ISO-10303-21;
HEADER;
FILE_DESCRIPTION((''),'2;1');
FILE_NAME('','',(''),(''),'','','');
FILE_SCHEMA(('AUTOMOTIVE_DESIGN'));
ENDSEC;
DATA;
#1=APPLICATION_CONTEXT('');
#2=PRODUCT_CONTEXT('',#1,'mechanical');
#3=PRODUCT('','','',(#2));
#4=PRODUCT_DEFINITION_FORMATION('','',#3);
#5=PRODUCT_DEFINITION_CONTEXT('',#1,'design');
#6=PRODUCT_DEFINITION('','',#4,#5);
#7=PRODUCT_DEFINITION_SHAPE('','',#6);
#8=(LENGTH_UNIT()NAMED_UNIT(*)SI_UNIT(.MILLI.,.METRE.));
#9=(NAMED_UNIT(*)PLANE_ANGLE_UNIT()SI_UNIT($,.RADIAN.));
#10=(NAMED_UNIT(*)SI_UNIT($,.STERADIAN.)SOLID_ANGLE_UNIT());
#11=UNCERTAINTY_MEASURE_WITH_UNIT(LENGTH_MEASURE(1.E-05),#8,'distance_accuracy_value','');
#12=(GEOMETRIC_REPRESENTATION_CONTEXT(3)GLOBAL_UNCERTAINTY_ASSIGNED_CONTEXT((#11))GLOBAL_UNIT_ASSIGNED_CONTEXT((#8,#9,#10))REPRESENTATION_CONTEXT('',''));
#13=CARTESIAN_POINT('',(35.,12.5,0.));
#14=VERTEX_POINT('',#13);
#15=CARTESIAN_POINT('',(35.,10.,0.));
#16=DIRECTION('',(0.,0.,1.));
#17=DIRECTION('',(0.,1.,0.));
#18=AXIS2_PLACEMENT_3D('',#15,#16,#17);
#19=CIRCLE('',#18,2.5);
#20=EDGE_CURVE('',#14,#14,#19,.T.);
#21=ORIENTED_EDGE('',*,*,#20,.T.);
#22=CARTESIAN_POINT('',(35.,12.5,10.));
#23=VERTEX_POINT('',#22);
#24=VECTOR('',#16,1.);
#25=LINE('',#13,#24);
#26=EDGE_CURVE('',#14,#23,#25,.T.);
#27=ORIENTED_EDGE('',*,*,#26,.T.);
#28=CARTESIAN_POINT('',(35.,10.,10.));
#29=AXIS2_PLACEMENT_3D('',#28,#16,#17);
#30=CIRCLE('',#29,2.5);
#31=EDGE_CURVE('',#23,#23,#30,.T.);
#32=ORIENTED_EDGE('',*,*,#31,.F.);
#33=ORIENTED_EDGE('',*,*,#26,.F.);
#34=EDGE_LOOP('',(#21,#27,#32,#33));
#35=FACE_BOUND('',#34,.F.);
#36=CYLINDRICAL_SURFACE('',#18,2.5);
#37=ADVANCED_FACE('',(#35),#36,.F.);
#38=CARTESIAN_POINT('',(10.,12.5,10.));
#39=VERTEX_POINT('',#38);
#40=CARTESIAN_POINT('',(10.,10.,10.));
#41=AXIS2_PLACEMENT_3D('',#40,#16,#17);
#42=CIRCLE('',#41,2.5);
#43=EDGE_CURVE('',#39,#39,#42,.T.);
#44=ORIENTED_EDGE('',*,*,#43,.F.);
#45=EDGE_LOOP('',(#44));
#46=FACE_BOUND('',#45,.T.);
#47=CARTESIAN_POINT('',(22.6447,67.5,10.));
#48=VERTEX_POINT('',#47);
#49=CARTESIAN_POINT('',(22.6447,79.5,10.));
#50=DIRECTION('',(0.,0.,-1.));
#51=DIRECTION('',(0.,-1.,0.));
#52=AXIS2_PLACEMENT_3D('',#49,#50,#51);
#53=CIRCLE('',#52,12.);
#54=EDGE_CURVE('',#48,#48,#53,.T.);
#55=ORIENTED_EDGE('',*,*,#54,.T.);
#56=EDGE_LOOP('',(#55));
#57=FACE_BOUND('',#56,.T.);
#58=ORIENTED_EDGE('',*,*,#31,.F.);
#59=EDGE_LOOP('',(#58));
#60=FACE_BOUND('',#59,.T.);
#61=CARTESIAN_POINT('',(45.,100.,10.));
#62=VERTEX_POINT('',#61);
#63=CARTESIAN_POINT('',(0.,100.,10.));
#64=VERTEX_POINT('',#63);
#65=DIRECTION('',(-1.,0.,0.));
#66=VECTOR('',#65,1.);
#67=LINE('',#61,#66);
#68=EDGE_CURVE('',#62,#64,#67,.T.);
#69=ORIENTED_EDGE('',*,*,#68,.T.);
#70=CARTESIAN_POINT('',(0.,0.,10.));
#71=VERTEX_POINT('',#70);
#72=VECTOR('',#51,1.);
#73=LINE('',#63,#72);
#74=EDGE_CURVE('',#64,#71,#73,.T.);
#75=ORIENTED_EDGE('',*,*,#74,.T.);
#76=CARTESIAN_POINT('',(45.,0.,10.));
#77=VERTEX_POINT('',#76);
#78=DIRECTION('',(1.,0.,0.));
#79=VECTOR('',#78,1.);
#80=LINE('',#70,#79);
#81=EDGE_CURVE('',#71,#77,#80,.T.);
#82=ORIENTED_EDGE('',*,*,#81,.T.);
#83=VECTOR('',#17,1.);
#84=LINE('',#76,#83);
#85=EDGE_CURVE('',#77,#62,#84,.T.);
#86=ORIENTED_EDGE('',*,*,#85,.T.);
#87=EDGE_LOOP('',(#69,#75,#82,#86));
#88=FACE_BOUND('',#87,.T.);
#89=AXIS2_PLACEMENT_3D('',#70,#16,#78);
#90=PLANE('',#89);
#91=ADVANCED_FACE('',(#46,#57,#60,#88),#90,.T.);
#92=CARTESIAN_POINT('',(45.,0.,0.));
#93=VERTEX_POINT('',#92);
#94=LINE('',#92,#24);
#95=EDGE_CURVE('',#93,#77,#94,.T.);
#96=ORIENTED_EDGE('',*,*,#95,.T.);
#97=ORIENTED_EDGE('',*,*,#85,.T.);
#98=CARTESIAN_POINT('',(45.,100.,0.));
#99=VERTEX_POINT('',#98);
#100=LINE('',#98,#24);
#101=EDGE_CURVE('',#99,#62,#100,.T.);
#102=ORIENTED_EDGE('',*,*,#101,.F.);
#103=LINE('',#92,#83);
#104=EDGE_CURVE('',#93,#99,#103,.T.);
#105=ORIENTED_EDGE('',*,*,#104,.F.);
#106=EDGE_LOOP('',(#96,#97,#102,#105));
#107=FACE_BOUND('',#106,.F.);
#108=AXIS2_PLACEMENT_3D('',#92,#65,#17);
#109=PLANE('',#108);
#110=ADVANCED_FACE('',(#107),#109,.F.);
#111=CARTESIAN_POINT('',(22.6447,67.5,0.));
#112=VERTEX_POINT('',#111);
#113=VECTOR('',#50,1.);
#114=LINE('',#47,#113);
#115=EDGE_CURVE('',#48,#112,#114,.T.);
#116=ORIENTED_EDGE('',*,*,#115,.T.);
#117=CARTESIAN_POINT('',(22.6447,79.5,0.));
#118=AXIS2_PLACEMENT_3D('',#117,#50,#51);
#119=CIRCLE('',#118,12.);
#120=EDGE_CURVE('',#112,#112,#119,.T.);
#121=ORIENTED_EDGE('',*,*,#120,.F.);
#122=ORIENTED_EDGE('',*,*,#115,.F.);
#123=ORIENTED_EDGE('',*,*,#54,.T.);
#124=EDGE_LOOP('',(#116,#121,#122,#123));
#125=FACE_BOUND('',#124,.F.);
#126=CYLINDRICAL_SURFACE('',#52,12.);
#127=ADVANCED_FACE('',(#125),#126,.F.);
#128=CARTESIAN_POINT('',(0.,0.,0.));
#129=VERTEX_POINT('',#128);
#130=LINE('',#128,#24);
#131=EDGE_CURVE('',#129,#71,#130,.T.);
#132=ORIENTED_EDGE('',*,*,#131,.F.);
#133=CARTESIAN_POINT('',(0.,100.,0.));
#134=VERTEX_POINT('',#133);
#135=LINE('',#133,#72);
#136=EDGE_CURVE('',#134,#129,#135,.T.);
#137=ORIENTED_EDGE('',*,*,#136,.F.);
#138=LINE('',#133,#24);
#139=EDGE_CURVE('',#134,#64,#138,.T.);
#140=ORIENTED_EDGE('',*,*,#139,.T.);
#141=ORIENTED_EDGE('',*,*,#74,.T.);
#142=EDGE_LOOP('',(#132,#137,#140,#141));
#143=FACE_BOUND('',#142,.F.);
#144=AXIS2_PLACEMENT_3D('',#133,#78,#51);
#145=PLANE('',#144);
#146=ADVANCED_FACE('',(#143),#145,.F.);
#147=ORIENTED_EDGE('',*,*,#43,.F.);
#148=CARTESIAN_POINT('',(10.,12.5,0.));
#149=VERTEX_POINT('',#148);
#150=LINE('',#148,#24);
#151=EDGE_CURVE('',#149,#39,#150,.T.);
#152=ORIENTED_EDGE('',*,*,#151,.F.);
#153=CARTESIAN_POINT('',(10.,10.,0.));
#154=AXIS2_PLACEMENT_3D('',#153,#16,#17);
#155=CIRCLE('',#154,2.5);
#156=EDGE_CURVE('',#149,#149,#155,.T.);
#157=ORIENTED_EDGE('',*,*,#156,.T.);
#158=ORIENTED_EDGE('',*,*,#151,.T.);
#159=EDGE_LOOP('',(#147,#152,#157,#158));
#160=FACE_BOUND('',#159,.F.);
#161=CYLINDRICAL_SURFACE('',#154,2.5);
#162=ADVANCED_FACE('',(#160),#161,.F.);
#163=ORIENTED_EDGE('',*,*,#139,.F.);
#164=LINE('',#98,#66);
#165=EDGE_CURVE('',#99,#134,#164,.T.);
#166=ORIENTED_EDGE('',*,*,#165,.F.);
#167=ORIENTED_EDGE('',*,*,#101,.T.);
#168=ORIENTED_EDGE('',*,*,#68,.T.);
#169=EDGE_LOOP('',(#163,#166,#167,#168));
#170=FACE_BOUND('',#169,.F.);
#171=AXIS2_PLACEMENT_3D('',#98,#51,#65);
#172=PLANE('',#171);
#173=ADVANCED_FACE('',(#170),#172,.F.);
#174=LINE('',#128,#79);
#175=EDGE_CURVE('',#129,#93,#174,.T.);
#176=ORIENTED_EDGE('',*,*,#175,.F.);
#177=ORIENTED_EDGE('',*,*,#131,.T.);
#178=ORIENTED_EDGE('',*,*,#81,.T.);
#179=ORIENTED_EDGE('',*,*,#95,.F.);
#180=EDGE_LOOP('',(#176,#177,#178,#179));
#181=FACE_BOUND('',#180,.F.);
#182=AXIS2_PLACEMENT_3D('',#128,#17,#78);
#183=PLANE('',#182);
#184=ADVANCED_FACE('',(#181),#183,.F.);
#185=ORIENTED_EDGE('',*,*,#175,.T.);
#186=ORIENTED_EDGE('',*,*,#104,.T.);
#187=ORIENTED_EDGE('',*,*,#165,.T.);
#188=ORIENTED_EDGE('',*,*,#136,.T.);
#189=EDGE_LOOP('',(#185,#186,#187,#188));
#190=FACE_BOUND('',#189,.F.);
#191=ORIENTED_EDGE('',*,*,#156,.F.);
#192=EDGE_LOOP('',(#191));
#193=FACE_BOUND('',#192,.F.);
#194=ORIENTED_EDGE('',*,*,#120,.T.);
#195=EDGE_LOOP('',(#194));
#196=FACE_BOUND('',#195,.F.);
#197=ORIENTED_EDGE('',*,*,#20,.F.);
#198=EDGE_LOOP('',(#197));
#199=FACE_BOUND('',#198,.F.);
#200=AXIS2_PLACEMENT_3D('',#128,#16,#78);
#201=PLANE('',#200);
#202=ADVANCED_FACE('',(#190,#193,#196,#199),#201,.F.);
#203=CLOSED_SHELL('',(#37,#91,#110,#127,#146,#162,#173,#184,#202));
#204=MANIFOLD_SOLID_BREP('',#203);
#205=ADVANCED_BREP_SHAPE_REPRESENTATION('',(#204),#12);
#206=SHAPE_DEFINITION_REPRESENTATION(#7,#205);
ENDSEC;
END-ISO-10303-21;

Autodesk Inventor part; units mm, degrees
ref_plane "YZ Plane" through (0, 0, 0) normal (1, 0, 0) x (0, 1, 0)
ref_plane "XZ Plane" through (0, 0, 0) normal (0, 1, 0) x (-1, 0, 0)
ref_plane "XY Plane" through (0, 0, 0) normal (0, 0, 1) x (1, 0, 0)
sketch "スケッチ1" plane through (0, 0, 0) normal (0, 0, 1) x (1, 0, 0)
  line L0 (0, 0) -> (45, 0)
  line L1 (45, 0) -> (45, 100)
  line L2 (45, 100) -> (0, 100)
  line L3 (0, 100) -> (0, 0)
  dimension "d0" = 100
  dimension "d1" = 45
extrude "押し出し1" add sketch "スケッチ1" along normal blind 10
sketch "スケッチ2" plane through (0, 0, 10) normal (0, 0, 1) x (1, 0, 0)
  line L0 (0, 0) -> (45, 0) projected
  point P0 (22.6447, 79.5)
  dimension "d4" = 79.5
hole "穴1" at (22.6447, 79.5, 10) direction (0, 0, -1) diameter 24 end through all
sketch "スケッチ3" plane through (0, 0, 0) normal (0, 0, -1) x (-1, 0, 0)
  line L0 (0, 0) -> (-45, 0) projected
  line L1 (-45, 0) -> (-45, 100) projected
  line L2 (0, 100) -> (0, 0) projected
  point P0 (-10, 10)
  point P1 (-35, 10)
  dimension "d12" = 10
  dimension "d13" = 10
  dimension "d14" = 10
  dimension "d15" = 10
hole "穴2" at (10, 10, 0) at (35, 10, 0) direction (0, 0, 1) diameter 5 end through all
properties part number "回転軸取り付け板"
